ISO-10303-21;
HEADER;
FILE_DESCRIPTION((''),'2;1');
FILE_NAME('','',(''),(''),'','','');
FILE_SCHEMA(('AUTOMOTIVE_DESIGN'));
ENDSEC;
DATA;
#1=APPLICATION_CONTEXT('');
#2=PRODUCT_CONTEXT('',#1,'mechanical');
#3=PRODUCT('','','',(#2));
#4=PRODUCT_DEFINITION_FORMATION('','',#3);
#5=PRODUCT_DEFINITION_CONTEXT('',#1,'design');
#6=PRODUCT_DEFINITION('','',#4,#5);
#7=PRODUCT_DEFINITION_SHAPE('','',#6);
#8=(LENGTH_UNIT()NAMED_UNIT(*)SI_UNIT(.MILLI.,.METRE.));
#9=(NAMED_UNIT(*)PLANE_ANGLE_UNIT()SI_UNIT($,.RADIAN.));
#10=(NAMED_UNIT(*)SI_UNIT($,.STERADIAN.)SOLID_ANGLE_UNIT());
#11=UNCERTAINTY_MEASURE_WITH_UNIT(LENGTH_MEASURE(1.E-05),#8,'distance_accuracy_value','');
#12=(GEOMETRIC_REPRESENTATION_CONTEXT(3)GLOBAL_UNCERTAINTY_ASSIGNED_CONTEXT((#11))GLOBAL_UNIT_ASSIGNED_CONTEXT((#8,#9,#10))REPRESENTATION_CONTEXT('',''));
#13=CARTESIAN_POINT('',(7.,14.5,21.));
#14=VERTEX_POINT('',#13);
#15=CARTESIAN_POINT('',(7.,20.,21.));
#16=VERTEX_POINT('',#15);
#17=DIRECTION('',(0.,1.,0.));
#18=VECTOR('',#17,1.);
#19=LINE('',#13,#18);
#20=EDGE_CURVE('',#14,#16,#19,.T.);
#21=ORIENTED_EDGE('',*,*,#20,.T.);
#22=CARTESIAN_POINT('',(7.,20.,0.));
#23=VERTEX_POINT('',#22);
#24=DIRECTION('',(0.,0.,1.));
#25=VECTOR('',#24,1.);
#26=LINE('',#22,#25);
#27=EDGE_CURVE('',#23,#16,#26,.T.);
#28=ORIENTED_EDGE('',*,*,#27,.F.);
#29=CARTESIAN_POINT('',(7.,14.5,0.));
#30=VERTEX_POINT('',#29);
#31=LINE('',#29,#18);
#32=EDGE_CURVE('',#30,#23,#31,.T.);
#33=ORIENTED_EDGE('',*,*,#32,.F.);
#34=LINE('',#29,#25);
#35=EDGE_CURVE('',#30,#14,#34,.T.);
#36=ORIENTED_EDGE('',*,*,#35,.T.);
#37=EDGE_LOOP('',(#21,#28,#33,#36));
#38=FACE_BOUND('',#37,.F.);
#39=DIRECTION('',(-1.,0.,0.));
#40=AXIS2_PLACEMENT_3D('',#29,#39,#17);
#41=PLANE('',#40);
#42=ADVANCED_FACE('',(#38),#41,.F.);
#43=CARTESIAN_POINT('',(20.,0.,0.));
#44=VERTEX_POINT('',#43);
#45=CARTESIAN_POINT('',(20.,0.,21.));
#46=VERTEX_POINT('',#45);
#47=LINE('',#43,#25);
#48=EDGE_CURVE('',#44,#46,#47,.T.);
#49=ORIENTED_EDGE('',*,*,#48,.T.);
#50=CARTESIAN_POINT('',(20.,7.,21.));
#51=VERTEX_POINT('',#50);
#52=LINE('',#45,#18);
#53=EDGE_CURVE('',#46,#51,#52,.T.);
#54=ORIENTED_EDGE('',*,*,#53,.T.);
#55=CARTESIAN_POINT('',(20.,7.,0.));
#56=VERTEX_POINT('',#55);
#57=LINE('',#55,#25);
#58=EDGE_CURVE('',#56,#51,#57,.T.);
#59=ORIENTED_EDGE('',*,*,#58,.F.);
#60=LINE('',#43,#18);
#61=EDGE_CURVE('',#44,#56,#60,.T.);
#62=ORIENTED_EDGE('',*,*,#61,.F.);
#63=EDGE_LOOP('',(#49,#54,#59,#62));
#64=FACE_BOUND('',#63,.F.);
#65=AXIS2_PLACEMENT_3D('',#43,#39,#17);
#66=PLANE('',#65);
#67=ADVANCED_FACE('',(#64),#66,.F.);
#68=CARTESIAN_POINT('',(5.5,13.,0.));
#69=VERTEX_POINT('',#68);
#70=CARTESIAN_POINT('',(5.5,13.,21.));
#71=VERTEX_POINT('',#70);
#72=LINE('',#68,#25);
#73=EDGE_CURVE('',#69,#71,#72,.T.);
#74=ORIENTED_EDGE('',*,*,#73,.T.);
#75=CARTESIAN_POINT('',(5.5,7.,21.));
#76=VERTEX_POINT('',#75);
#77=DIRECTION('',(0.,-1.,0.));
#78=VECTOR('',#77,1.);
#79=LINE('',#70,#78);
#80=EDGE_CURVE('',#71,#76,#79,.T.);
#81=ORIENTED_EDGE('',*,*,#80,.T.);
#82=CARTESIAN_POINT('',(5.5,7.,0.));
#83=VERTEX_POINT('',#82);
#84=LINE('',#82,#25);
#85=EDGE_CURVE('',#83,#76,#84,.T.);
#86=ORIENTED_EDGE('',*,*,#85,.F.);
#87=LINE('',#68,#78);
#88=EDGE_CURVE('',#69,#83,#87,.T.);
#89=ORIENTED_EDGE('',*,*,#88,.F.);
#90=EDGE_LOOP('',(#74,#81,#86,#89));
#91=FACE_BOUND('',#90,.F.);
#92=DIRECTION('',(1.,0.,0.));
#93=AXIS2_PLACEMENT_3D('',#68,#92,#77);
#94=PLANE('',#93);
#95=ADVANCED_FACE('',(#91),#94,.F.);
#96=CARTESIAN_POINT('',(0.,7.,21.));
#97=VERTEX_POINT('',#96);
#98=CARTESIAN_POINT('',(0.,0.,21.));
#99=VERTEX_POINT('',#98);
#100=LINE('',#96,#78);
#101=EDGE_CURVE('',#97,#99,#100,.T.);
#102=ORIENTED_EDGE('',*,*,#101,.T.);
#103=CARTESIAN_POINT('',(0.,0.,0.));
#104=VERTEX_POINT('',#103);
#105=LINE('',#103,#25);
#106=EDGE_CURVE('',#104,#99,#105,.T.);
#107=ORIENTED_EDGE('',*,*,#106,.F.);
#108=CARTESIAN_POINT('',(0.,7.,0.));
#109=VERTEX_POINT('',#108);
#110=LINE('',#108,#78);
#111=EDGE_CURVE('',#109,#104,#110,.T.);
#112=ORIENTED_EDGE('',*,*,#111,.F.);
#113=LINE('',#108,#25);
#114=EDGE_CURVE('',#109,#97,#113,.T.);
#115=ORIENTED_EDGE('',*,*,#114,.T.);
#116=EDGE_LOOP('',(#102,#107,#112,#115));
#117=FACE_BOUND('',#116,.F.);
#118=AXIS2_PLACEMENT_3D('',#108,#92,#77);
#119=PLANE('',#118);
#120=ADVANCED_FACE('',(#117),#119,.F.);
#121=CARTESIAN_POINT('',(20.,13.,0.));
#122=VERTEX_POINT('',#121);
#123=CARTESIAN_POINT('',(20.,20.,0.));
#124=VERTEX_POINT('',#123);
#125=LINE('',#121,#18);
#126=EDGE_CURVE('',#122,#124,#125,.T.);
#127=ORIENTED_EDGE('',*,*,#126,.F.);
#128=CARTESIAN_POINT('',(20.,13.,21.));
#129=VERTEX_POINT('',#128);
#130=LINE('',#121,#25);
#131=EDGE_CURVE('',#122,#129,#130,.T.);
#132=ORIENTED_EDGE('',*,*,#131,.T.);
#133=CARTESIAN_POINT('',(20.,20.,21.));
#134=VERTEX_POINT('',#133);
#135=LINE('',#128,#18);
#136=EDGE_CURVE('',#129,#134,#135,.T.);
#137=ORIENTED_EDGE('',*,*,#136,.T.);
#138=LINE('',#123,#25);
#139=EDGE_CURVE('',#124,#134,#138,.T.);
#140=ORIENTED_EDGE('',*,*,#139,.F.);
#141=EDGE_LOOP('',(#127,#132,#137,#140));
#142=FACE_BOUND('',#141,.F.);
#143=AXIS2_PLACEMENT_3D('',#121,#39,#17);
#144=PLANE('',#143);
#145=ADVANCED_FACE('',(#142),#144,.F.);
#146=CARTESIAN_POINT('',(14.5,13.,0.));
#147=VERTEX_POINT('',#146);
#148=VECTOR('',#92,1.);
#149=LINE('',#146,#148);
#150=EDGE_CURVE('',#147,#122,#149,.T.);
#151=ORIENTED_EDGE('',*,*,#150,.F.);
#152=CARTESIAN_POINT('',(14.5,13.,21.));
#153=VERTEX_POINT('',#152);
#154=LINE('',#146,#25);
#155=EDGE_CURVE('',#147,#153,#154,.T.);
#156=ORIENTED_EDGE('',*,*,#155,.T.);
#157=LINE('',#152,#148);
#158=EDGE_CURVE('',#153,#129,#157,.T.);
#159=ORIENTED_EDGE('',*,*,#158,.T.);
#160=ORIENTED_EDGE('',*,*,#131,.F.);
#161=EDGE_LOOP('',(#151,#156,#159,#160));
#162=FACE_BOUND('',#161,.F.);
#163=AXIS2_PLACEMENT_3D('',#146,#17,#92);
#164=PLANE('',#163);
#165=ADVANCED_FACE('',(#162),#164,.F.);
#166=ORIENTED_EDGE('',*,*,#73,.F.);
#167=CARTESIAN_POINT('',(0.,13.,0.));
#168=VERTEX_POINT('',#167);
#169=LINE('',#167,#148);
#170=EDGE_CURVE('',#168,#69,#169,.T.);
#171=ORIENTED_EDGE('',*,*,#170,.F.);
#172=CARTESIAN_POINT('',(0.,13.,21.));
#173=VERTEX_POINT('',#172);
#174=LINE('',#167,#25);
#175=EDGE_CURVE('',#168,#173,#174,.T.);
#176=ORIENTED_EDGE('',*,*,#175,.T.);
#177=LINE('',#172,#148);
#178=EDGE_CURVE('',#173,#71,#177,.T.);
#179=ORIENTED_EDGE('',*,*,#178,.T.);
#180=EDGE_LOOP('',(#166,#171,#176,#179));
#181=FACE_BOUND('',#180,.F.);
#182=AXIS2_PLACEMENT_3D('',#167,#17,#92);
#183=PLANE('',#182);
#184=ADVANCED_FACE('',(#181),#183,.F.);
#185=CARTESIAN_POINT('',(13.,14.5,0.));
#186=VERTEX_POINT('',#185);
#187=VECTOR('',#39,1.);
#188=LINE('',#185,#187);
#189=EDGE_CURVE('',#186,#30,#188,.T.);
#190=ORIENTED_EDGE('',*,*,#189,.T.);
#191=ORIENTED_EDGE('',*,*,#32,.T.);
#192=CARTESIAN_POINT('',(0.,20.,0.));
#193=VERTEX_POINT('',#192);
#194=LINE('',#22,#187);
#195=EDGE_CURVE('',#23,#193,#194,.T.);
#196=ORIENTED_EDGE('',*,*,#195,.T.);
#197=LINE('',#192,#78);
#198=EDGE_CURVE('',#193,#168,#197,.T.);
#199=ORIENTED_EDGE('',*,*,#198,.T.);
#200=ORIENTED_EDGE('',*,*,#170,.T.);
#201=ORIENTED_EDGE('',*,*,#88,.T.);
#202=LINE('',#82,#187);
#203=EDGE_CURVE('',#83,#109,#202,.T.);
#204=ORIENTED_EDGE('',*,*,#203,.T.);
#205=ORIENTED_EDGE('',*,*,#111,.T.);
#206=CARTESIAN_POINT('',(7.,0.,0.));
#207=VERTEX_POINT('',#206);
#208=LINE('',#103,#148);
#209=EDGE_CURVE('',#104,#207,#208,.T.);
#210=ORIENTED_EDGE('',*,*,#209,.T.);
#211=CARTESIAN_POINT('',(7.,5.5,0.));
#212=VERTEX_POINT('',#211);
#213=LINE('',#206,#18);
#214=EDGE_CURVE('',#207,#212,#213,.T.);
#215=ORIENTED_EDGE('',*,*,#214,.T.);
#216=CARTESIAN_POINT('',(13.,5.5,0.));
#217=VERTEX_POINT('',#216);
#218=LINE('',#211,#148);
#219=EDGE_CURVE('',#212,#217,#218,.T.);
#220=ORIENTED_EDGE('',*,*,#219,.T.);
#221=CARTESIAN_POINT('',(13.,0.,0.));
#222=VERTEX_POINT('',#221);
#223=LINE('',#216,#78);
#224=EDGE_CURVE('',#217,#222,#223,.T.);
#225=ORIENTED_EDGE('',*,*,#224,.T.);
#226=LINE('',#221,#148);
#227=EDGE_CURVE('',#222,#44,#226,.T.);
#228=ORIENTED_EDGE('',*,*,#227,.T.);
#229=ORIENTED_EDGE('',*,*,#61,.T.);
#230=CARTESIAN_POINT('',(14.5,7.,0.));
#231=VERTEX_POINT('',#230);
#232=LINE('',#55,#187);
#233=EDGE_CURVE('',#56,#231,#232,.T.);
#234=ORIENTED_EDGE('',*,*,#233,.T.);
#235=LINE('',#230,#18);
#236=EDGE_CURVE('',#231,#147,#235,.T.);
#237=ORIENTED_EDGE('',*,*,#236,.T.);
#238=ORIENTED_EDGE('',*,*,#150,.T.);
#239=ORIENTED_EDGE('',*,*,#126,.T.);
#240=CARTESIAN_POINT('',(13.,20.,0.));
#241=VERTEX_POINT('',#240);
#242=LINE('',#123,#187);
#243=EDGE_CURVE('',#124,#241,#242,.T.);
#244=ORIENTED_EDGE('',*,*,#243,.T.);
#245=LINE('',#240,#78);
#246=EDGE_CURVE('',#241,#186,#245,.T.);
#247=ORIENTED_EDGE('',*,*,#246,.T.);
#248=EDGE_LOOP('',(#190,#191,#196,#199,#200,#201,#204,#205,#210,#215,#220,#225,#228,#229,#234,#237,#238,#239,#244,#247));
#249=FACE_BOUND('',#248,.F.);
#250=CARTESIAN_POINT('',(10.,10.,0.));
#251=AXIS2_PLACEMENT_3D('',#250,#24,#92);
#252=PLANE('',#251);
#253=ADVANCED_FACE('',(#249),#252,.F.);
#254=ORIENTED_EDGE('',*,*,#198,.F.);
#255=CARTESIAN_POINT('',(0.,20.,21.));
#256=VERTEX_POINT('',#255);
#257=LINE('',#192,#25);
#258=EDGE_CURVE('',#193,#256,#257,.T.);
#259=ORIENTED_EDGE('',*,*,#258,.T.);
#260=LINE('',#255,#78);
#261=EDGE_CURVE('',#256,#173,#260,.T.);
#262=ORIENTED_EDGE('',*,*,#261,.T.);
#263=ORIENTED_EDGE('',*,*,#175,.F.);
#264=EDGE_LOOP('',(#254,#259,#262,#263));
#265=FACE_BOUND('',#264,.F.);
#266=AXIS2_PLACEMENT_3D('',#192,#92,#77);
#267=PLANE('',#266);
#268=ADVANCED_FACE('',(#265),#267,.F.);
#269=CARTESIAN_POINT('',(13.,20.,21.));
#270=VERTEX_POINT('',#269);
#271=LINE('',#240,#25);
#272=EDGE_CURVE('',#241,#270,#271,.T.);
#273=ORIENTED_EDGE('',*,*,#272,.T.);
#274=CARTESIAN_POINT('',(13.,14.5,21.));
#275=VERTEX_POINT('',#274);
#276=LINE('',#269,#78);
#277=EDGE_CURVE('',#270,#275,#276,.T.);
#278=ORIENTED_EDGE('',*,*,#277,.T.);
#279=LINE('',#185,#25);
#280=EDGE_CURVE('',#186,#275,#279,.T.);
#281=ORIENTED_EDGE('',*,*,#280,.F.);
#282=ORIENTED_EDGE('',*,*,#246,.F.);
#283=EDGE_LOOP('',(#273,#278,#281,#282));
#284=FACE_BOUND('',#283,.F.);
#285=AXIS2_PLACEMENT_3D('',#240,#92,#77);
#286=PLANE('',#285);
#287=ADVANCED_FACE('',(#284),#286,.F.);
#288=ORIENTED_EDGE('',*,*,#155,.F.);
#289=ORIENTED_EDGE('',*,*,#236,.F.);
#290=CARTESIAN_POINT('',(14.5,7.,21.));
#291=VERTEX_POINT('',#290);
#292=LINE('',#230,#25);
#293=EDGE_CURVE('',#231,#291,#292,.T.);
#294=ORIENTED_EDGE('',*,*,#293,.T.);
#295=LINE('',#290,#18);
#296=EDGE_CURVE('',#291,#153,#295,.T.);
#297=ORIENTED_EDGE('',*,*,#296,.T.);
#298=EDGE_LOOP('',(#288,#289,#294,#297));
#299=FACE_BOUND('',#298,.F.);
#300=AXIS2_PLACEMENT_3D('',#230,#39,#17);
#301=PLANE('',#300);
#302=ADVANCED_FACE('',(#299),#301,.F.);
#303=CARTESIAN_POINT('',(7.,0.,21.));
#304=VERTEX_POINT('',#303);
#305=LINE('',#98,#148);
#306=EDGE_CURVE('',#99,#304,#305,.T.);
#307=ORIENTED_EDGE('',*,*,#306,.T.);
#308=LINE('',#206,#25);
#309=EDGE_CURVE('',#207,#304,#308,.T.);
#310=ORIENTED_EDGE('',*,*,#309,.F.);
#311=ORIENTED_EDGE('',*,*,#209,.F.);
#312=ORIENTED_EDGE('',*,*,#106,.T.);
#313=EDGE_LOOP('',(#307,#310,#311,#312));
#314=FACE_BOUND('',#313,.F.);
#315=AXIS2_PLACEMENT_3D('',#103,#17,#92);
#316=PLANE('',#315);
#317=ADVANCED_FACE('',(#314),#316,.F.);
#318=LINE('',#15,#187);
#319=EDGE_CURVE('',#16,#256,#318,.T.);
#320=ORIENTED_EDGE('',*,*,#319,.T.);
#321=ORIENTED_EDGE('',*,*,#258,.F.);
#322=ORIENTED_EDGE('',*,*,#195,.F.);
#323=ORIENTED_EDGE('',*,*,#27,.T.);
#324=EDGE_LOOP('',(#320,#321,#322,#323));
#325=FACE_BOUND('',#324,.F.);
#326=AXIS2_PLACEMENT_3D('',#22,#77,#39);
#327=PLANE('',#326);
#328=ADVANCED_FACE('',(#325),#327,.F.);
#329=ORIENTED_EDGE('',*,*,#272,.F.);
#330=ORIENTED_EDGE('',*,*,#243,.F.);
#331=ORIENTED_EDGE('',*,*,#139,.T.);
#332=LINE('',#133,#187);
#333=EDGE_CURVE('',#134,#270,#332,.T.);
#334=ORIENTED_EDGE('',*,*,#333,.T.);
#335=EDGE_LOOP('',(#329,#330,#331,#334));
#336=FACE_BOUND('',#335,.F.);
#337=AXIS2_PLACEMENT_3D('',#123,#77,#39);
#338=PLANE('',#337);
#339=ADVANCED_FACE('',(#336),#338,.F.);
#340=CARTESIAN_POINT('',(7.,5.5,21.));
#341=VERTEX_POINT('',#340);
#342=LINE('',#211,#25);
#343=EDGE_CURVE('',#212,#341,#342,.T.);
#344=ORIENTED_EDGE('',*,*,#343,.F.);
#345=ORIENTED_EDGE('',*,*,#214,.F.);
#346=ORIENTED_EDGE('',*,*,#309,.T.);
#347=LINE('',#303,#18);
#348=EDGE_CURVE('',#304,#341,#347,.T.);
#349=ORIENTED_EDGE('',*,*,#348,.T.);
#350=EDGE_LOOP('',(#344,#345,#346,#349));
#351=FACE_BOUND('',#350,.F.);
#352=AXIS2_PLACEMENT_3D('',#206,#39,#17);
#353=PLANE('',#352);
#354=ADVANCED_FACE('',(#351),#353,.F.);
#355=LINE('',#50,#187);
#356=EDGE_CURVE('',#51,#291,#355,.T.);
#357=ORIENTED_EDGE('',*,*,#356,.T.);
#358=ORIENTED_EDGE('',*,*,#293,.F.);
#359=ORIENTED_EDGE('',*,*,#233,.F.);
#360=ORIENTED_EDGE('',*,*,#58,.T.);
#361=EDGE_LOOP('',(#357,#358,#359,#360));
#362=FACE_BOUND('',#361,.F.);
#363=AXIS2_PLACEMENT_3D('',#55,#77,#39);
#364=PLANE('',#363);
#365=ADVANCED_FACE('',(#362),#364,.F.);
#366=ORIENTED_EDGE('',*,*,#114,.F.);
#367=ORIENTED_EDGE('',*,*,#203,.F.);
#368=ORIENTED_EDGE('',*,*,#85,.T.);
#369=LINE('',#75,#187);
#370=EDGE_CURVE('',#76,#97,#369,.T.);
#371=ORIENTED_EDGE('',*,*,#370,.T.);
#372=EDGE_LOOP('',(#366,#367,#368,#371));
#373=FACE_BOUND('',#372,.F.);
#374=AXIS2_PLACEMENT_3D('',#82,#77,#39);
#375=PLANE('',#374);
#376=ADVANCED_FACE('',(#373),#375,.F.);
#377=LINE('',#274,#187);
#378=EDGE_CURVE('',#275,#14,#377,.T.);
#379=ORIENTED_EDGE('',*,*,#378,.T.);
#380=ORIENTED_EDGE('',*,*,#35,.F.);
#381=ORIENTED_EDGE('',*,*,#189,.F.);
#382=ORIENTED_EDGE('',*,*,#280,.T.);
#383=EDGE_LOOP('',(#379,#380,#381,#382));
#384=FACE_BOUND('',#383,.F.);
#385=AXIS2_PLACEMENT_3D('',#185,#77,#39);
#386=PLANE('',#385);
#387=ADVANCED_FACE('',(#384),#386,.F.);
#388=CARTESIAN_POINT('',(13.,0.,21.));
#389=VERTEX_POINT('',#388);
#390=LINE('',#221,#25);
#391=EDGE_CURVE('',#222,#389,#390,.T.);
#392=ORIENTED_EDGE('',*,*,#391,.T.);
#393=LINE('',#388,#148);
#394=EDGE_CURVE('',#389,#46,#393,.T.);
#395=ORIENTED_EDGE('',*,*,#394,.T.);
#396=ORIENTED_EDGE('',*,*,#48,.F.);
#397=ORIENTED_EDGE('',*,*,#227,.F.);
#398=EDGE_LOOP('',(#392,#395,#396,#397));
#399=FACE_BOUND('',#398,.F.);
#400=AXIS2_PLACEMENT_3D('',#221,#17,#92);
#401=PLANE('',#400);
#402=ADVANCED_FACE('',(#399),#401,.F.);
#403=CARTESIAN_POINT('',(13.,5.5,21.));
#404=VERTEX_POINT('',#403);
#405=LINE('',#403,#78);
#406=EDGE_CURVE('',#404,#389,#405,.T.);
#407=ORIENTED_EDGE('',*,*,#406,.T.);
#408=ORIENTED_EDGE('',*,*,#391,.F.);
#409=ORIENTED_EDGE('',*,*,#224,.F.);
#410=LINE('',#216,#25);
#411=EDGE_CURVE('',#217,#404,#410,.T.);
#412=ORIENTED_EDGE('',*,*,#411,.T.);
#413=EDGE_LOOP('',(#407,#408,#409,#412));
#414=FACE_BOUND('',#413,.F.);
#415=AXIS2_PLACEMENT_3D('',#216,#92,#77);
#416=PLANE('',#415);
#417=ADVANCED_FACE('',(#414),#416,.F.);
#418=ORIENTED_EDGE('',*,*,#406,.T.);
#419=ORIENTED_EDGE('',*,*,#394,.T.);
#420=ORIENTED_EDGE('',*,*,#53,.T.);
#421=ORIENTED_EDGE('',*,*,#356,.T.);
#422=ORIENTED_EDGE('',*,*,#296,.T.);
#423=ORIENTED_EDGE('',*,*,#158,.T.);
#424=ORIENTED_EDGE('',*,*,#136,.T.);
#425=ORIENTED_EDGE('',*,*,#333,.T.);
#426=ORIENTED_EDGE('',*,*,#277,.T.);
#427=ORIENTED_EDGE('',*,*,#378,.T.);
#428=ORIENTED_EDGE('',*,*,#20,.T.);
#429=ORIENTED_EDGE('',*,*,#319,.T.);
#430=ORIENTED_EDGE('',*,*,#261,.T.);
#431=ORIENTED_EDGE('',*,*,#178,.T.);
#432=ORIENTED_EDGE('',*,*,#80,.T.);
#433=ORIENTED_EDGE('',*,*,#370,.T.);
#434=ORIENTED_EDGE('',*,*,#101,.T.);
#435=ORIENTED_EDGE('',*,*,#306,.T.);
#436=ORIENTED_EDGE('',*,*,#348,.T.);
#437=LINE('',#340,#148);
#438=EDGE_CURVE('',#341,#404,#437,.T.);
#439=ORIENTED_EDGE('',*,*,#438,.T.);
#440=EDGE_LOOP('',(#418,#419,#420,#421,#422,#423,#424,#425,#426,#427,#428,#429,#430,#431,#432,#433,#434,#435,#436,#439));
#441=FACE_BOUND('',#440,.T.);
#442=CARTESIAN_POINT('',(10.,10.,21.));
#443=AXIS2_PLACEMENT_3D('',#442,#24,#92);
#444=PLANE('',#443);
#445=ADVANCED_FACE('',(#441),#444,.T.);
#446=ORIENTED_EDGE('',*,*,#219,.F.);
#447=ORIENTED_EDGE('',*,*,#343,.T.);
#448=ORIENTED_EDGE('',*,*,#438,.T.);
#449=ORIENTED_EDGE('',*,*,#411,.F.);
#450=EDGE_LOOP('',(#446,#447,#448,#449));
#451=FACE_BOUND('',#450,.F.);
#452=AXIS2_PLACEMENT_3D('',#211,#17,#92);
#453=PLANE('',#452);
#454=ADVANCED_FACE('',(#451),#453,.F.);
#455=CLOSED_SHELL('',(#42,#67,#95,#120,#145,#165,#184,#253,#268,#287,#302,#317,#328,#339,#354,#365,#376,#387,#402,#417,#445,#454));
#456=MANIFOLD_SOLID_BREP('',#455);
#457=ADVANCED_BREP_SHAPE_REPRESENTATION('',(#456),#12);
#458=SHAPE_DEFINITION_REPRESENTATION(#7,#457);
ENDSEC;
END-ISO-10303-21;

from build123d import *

# Parameters (mm, degrees)
F1_DEPTH = 21
F2_R     = 2.5
F3_DEPTH = 25
F4_R     = 2.5
F5_DEPTH = 25


with BuildPart() as f1:
    # F0 (on Top) → F1 (new body)
    with BuildSketch(Plane.XY):
        Polygon((0, 7), (0, 0), (7, 0), (7, 5.5), (13, 5.5), (13, 0), (20, 0), (20, 7), (14.5, 7), (14.5, 13), (20, 13), (20, 20), (13, 20), (13, 14.5), (7, 14.5), (7, 20), (0, 20), (0, 13), (5.5, 13), (5.5, 7), align=None)
    extrude(amount=F1_DEPTH)

    # F2 (on face) → F3 (cut)
    with BuildSketch(Plane.YZ.offset(14.5)):
        with Locations((10, 70)):
            Circle(F2_R)
    extrude(amount=-F3_DEPTH, mode=Mode.SUBTRACT)

    # F4 (on face) → F5 (cut)
    with BuildSketch(Plane.XZ.offset(-5.5)):
        with Locations((10, 70)):
            Circle(F4_R)
    extrude(amount=-F5_DEPTH, mode=Mode.SUBTRACT)


solid = f1.part
